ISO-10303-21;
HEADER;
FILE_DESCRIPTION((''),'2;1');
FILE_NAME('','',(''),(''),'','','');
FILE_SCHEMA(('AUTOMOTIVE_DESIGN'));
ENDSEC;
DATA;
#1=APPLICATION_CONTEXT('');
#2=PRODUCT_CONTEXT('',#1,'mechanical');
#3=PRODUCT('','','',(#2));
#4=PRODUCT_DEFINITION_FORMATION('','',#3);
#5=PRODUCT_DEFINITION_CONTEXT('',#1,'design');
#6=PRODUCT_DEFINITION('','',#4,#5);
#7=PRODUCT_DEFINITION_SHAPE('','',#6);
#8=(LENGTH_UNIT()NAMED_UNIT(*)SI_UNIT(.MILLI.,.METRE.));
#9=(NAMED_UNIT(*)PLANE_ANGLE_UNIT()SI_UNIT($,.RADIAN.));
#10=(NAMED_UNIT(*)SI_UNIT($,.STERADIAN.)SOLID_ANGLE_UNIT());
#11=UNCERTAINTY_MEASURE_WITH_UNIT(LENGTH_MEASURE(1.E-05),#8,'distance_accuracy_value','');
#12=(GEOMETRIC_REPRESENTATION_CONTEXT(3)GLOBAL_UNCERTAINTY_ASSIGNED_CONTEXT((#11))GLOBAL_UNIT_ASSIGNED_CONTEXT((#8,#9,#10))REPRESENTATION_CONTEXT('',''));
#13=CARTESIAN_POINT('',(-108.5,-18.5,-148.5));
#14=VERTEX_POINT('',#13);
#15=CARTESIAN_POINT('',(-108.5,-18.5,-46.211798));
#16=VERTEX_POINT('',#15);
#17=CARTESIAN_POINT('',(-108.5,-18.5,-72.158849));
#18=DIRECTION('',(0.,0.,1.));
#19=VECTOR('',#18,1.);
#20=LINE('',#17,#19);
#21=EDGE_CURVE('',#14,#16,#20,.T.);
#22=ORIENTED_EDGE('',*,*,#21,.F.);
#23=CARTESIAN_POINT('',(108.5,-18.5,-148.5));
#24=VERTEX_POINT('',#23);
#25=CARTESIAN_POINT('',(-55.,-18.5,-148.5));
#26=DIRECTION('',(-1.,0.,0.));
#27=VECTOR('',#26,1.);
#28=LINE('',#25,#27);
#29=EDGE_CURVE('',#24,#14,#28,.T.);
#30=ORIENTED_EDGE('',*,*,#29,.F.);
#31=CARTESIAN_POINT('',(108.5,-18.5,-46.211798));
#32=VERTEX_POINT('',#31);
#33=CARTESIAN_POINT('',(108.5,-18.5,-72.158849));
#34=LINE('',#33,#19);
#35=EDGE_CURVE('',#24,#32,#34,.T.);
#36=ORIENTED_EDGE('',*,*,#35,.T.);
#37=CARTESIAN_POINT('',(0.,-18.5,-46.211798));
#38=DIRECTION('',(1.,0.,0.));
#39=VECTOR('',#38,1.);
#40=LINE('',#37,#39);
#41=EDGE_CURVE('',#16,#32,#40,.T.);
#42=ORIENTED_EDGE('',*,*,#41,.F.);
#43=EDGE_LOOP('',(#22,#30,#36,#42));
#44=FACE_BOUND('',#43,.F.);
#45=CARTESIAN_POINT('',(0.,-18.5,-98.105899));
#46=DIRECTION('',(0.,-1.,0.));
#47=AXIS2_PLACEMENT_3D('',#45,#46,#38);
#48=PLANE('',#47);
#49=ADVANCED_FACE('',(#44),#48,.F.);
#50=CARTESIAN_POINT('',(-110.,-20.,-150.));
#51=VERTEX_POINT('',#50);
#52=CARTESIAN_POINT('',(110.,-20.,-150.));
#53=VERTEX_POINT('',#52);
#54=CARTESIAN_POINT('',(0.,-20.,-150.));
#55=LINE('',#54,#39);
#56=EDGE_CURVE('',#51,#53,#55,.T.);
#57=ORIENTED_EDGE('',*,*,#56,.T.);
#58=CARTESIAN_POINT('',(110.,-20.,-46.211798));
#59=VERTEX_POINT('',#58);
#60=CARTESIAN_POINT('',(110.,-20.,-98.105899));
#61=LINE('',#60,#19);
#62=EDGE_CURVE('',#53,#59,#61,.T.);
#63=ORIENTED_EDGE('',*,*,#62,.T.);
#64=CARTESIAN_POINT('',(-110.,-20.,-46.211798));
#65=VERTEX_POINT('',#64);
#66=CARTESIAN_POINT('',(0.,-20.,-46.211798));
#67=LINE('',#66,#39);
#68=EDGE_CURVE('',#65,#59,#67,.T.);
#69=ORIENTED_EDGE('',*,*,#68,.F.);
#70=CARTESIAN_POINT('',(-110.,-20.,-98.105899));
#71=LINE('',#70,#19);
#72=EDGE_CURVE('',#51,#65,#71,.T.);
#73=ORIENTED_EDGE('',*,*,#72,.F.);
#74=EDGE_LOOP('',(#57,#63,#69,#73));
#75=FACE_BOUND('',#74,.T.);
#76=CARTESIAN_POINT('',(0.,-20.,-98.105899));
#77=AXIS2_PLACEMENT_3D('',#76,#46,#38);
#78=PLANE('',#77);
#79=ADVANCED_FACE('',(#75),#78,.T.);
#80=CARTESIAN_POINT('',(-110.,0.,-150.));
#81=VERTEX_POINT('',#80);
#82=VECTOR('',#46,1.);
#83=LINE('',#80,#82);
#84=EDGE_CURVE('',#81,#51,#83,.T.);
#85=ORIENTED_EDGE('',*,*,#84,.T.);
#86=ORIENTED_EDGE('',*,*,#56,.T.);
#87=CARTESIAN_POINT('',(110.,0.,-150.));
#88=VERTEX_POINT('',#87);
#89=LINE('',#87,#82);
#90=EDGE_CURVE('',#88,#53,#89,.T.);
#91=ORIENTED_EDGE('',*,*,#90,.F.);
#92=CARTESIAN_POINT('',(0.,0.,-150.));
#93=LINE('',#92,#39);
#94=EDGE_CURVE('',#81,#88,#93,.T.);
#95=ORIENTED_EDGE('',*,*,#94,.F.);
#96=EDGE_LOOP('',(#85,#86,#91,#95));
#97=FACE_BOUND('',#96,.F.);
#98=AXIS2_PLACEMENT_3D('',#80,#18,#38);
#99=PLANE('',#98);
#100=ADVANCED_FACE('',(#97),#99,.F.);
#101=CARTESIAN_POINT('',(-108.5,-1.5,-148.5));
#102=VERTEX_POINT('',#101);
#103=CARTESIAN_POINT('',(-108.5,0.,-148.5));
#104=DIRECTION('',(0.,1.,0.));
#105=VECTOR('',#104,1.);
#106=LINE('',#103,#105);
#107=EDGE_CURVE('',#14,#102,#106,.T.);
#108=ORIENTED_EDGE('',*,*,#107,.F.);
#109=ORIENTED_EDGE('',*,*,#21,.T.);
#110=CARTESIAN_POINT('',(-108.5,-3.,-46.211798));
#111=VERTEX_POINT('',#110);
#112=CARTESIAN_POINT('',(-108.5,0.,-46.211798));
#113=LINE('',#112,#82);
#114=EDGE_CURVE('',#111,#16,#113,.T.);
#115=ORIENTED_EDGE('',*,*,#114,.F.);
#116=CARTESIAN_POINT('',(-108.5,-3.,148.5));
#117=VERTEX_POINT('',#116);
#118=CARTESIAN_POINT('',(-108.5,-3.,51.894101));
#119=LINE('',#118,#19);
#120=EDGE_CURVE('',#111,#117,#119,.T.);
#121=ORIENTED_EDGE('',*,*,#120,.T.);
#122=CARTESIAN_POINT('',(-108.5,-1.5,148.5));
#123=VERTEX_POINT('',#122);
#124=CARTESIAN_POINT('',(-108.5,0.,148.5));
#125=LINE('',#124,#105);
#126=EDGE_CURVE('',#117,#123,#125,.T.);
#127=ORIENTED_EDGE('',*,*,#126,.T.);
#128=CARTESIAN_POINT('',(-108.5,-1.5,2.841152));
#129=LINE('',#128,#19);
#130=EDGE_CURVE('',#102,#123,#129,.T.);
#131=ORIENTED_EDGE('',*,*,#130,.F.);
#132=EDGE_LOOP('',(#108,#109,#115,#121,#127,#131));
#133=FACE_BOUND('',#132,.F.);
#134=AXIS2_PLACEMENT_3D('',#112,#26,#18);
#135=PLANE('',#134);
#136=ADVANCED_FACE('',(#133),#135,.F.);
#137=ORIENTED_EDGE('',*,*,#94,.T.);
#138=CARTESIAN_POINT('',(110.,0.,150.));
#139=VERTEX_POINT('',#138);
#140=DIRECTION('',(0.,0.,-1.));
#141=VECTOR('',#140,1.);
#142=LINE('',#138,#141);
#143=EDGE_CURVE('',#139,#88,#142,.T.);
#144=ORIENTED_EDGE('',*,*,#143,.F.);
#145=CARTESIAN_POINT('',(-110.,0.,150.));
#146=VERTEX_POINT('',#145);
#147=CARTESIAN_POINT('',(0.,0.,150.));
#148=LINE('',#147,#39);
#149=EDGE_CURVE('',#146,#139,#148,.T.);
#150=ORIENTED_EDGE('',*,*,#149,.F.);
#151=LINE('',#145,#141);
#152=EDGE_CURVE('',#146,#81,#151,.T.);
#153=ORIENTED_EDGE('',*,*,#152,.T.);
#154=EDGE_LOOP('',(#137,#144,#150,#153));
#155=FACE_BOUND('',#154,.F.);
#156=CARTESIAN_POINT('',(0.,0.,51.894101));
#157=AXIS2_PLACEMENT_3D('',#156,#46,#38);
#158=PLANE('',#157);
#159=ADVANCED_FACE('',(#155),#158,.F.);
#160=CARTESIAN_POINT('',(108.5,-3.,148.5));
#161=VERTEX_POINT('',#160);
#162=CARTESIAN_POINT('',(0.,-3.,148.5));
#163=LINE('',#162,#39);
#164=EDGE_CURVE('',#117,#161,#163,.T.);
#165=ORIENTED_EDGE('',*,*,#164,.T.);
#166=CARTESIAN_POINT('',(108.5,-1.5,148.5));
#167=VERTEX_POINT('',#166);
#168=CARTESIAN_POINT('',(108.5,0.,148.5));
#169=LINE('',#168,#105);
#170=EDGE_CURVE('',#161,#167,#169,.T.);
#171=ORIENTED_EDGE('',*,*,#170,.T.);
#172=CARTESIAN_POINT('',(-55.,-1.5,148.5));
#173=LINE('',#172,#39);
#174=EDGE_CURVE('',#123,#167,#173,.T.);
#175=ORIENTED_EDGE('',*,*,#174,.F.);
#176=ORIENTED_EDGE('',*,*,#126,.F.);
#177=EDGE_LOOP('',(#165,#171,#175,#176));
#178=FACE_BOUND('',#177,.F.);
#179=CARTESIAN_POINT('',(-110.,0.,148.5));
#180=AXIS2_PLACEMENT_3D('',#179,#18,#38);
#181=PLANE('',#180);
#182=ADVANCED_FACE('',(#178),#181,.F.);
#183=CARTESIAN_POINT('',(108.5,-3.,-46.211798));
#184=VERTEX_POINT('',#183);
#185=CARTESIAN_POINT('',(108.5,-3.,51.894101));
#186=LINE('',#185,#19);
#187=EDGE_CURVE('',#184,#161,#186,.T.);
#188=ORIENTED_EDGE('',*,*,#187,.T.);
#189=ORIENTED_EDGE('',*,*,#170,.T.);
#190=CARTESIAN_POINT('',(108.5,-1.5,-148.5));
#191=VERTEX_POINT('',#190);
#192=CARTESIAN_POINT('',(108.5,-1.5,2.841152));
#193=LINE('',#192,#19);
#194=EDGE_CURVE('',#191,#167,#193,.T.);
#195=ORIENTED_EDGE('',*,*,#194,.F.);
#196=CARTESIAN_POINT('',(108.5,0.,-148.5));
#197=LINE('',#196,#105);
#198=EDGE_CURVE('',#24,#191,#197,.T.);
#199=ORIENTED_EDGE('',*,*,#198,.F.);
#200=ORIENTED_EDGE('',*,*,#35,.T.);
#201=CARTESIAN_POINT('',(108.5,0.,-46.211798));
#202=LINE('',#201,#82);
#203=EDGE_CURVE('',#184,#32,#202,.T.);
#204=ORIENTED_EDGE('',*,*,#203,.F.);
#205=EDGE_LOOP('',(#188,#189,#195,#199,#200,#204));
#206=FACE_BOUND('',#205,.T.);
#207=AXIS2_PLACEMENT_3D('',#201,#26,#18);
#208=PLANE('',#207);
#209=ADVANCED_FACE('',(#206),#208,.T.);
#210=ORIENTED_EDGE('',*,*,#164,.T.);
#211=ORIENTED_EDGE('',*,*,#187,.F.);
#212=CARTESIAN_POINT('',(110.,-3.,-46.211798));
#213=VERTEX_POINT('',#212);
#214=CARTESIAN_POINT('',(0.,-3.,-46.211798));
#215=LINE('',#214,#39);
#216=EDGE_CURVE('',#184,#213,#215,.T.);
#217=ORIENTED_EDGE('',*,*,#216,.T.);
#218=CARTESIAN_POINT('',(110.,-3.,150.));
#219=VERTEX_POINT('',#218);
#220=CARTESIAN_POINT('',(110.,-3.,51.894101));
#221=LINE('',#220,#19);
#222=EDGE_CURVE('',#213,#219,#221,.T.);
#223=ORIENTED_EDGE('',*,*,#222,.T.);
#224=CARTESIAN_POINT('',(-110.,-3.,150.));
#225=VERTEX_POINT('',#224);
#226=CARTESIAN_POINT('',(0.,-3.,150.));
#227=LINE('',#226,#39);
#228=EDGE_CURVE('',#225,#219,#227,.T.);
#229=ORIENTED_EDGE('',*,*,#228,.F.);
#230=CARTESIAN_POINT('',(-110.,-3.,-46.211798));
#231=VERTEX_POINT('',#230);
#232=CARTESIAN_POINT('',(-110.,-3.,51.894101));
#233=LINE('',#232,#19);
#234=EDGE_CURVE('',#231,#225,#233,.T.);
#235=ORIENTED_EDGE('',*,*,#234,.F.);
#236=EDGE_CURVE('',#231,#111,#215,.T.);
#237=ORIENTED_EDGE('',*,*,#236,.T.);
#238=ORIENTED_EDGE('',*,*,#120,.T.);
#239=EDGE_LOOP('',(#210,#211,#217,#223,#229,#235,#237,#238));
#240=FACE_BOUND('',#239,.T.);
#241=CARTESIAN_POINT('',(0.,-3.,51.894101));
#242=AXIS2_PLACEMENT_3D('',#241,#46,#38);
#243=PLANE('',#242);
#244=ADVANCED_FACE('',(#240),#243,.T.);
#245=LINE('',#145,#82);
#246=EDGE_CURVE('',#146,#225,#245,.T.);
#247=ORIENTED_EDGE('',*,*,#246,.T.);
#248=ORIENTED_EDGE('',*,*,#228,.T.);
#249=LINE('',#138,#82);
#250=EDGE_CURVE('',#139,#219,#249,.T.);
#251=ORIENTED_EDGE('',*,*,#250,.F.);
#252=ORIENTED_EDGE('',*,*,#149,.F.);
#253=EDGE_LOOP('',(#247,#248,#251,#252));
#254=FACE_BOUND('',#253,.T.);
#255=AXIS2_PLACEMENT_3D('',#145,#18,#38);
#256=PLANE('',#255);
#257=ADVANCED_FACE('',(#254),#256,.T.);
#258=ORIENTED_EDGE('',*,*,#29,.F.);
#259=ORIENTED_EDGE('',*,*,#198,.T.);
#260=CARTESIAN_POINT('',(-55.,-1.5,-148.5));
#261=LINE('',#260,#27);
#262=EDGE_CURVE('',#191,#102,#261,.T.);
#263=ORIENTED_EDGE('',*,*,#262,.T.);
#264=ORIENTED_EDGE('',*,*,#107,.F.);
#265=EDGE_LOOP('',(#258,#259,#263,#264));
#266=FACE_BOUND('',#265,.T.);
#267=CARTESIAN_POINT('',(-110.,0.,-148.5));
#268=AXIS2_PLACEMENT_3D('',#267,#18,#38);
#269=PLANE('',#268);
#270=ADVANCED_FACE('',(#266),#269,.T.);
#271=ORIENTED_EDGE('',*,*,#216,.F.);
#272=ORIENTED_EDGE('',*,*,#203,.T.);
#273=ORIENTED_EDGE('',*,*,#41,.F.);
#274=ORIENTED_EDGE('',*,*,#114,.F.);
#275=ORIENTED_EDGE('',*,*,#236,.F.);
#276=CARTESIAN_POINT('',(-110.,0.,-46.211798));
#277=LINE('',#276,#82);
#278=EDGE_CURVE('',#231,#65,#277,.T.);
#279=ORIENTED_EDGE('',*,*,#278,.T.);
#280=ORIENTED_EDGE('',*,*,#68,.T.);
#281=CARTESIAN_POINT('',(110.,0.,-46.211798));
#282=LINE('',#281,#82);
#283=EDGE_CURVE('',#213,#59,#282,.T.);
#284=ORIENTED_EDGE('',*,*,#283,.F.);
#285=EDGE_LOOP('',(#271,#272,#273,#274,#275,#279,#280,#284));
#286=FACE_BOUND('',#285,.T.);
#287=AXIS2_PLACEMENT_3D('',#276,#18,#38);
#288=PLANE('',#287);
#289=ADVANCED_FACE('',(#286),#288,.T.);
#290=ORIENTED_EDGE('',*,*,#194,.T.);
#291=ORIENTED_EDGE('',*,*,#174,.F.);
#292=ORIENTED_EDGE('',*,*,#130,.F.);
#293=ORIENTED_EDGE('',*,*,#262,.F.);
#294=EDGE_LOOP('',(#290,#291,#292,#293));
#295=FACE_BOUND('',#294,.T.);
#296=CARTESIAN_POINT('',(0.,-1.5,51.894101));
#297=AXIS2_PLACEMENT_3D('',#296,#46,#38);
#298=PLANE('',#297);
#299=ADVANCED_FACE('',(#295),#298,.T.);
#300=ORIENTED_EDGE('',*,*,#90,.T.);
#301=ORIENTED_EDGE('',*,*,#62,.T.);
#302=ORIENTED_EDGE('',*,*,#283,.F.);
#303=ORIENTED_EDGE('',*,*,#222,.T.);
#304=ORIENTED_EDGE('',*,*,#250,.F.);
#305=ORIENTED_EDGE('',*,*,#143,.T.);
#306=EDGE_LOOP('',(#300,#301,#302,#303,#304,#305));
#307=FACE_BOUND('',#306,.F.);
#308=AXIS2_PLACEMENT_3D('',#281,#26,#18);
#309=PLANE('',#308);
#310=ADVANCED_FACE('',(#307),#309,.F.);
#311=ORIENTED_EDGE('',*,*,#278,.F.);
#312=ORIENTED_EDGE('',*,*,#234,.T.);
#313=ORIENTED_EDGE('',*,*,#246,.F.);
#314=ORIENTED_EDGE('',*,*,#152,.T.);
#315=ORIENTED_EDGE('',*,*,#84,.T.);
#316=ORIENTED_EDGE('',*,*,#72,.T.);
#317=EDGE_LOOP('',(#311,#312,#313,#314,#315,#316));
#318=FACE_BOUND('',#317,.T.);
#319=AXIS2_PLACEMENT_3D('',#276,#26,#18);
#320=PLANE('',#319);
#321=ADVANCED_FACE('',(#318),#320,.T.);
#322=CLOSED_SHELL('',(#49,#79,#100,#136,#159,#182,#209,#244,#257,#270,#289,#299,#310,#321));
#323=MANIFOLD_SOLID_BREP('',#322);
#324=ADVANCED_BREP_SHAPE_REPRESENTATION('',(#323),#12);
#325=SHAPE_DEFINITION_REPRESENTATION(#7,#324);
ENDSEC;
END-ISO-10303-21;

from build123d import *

# Parameters (mm, degrees)
F0_W     = 220
F0_H     = 103.788202
F1_DEPTH = 20
F0_H_2   = 196.211798
F2_DEPTH = 3
F3_T     = -1.5


with BuildPart() as f1:
    # F0 (on Front) → F1 (new body)
    with BuildSketch(Plane.XZ):
        with Locations((0, -98.105899)):
            Rectangle(F0_W, F0_H)
    extrude(amount=F1_DEPTH)

    # F0 (on Front) → F2 (join)
    with BuildSketch(Plane.XZ):
        with Locations((0, 51.894101)):
            Rectangle(F0_W, F0_H_2)
    extrude(amount=F2_DEPTH)

    # F3
    f3_openings = [f1.faces().sort_by_distance(p)[0] for p in [
        (0, -11.5, -46.211798),
        (0, -3, 51.894101),
    ]]
    offset(amount=F3_T, openings=f3_openings)


solid = f1.part
